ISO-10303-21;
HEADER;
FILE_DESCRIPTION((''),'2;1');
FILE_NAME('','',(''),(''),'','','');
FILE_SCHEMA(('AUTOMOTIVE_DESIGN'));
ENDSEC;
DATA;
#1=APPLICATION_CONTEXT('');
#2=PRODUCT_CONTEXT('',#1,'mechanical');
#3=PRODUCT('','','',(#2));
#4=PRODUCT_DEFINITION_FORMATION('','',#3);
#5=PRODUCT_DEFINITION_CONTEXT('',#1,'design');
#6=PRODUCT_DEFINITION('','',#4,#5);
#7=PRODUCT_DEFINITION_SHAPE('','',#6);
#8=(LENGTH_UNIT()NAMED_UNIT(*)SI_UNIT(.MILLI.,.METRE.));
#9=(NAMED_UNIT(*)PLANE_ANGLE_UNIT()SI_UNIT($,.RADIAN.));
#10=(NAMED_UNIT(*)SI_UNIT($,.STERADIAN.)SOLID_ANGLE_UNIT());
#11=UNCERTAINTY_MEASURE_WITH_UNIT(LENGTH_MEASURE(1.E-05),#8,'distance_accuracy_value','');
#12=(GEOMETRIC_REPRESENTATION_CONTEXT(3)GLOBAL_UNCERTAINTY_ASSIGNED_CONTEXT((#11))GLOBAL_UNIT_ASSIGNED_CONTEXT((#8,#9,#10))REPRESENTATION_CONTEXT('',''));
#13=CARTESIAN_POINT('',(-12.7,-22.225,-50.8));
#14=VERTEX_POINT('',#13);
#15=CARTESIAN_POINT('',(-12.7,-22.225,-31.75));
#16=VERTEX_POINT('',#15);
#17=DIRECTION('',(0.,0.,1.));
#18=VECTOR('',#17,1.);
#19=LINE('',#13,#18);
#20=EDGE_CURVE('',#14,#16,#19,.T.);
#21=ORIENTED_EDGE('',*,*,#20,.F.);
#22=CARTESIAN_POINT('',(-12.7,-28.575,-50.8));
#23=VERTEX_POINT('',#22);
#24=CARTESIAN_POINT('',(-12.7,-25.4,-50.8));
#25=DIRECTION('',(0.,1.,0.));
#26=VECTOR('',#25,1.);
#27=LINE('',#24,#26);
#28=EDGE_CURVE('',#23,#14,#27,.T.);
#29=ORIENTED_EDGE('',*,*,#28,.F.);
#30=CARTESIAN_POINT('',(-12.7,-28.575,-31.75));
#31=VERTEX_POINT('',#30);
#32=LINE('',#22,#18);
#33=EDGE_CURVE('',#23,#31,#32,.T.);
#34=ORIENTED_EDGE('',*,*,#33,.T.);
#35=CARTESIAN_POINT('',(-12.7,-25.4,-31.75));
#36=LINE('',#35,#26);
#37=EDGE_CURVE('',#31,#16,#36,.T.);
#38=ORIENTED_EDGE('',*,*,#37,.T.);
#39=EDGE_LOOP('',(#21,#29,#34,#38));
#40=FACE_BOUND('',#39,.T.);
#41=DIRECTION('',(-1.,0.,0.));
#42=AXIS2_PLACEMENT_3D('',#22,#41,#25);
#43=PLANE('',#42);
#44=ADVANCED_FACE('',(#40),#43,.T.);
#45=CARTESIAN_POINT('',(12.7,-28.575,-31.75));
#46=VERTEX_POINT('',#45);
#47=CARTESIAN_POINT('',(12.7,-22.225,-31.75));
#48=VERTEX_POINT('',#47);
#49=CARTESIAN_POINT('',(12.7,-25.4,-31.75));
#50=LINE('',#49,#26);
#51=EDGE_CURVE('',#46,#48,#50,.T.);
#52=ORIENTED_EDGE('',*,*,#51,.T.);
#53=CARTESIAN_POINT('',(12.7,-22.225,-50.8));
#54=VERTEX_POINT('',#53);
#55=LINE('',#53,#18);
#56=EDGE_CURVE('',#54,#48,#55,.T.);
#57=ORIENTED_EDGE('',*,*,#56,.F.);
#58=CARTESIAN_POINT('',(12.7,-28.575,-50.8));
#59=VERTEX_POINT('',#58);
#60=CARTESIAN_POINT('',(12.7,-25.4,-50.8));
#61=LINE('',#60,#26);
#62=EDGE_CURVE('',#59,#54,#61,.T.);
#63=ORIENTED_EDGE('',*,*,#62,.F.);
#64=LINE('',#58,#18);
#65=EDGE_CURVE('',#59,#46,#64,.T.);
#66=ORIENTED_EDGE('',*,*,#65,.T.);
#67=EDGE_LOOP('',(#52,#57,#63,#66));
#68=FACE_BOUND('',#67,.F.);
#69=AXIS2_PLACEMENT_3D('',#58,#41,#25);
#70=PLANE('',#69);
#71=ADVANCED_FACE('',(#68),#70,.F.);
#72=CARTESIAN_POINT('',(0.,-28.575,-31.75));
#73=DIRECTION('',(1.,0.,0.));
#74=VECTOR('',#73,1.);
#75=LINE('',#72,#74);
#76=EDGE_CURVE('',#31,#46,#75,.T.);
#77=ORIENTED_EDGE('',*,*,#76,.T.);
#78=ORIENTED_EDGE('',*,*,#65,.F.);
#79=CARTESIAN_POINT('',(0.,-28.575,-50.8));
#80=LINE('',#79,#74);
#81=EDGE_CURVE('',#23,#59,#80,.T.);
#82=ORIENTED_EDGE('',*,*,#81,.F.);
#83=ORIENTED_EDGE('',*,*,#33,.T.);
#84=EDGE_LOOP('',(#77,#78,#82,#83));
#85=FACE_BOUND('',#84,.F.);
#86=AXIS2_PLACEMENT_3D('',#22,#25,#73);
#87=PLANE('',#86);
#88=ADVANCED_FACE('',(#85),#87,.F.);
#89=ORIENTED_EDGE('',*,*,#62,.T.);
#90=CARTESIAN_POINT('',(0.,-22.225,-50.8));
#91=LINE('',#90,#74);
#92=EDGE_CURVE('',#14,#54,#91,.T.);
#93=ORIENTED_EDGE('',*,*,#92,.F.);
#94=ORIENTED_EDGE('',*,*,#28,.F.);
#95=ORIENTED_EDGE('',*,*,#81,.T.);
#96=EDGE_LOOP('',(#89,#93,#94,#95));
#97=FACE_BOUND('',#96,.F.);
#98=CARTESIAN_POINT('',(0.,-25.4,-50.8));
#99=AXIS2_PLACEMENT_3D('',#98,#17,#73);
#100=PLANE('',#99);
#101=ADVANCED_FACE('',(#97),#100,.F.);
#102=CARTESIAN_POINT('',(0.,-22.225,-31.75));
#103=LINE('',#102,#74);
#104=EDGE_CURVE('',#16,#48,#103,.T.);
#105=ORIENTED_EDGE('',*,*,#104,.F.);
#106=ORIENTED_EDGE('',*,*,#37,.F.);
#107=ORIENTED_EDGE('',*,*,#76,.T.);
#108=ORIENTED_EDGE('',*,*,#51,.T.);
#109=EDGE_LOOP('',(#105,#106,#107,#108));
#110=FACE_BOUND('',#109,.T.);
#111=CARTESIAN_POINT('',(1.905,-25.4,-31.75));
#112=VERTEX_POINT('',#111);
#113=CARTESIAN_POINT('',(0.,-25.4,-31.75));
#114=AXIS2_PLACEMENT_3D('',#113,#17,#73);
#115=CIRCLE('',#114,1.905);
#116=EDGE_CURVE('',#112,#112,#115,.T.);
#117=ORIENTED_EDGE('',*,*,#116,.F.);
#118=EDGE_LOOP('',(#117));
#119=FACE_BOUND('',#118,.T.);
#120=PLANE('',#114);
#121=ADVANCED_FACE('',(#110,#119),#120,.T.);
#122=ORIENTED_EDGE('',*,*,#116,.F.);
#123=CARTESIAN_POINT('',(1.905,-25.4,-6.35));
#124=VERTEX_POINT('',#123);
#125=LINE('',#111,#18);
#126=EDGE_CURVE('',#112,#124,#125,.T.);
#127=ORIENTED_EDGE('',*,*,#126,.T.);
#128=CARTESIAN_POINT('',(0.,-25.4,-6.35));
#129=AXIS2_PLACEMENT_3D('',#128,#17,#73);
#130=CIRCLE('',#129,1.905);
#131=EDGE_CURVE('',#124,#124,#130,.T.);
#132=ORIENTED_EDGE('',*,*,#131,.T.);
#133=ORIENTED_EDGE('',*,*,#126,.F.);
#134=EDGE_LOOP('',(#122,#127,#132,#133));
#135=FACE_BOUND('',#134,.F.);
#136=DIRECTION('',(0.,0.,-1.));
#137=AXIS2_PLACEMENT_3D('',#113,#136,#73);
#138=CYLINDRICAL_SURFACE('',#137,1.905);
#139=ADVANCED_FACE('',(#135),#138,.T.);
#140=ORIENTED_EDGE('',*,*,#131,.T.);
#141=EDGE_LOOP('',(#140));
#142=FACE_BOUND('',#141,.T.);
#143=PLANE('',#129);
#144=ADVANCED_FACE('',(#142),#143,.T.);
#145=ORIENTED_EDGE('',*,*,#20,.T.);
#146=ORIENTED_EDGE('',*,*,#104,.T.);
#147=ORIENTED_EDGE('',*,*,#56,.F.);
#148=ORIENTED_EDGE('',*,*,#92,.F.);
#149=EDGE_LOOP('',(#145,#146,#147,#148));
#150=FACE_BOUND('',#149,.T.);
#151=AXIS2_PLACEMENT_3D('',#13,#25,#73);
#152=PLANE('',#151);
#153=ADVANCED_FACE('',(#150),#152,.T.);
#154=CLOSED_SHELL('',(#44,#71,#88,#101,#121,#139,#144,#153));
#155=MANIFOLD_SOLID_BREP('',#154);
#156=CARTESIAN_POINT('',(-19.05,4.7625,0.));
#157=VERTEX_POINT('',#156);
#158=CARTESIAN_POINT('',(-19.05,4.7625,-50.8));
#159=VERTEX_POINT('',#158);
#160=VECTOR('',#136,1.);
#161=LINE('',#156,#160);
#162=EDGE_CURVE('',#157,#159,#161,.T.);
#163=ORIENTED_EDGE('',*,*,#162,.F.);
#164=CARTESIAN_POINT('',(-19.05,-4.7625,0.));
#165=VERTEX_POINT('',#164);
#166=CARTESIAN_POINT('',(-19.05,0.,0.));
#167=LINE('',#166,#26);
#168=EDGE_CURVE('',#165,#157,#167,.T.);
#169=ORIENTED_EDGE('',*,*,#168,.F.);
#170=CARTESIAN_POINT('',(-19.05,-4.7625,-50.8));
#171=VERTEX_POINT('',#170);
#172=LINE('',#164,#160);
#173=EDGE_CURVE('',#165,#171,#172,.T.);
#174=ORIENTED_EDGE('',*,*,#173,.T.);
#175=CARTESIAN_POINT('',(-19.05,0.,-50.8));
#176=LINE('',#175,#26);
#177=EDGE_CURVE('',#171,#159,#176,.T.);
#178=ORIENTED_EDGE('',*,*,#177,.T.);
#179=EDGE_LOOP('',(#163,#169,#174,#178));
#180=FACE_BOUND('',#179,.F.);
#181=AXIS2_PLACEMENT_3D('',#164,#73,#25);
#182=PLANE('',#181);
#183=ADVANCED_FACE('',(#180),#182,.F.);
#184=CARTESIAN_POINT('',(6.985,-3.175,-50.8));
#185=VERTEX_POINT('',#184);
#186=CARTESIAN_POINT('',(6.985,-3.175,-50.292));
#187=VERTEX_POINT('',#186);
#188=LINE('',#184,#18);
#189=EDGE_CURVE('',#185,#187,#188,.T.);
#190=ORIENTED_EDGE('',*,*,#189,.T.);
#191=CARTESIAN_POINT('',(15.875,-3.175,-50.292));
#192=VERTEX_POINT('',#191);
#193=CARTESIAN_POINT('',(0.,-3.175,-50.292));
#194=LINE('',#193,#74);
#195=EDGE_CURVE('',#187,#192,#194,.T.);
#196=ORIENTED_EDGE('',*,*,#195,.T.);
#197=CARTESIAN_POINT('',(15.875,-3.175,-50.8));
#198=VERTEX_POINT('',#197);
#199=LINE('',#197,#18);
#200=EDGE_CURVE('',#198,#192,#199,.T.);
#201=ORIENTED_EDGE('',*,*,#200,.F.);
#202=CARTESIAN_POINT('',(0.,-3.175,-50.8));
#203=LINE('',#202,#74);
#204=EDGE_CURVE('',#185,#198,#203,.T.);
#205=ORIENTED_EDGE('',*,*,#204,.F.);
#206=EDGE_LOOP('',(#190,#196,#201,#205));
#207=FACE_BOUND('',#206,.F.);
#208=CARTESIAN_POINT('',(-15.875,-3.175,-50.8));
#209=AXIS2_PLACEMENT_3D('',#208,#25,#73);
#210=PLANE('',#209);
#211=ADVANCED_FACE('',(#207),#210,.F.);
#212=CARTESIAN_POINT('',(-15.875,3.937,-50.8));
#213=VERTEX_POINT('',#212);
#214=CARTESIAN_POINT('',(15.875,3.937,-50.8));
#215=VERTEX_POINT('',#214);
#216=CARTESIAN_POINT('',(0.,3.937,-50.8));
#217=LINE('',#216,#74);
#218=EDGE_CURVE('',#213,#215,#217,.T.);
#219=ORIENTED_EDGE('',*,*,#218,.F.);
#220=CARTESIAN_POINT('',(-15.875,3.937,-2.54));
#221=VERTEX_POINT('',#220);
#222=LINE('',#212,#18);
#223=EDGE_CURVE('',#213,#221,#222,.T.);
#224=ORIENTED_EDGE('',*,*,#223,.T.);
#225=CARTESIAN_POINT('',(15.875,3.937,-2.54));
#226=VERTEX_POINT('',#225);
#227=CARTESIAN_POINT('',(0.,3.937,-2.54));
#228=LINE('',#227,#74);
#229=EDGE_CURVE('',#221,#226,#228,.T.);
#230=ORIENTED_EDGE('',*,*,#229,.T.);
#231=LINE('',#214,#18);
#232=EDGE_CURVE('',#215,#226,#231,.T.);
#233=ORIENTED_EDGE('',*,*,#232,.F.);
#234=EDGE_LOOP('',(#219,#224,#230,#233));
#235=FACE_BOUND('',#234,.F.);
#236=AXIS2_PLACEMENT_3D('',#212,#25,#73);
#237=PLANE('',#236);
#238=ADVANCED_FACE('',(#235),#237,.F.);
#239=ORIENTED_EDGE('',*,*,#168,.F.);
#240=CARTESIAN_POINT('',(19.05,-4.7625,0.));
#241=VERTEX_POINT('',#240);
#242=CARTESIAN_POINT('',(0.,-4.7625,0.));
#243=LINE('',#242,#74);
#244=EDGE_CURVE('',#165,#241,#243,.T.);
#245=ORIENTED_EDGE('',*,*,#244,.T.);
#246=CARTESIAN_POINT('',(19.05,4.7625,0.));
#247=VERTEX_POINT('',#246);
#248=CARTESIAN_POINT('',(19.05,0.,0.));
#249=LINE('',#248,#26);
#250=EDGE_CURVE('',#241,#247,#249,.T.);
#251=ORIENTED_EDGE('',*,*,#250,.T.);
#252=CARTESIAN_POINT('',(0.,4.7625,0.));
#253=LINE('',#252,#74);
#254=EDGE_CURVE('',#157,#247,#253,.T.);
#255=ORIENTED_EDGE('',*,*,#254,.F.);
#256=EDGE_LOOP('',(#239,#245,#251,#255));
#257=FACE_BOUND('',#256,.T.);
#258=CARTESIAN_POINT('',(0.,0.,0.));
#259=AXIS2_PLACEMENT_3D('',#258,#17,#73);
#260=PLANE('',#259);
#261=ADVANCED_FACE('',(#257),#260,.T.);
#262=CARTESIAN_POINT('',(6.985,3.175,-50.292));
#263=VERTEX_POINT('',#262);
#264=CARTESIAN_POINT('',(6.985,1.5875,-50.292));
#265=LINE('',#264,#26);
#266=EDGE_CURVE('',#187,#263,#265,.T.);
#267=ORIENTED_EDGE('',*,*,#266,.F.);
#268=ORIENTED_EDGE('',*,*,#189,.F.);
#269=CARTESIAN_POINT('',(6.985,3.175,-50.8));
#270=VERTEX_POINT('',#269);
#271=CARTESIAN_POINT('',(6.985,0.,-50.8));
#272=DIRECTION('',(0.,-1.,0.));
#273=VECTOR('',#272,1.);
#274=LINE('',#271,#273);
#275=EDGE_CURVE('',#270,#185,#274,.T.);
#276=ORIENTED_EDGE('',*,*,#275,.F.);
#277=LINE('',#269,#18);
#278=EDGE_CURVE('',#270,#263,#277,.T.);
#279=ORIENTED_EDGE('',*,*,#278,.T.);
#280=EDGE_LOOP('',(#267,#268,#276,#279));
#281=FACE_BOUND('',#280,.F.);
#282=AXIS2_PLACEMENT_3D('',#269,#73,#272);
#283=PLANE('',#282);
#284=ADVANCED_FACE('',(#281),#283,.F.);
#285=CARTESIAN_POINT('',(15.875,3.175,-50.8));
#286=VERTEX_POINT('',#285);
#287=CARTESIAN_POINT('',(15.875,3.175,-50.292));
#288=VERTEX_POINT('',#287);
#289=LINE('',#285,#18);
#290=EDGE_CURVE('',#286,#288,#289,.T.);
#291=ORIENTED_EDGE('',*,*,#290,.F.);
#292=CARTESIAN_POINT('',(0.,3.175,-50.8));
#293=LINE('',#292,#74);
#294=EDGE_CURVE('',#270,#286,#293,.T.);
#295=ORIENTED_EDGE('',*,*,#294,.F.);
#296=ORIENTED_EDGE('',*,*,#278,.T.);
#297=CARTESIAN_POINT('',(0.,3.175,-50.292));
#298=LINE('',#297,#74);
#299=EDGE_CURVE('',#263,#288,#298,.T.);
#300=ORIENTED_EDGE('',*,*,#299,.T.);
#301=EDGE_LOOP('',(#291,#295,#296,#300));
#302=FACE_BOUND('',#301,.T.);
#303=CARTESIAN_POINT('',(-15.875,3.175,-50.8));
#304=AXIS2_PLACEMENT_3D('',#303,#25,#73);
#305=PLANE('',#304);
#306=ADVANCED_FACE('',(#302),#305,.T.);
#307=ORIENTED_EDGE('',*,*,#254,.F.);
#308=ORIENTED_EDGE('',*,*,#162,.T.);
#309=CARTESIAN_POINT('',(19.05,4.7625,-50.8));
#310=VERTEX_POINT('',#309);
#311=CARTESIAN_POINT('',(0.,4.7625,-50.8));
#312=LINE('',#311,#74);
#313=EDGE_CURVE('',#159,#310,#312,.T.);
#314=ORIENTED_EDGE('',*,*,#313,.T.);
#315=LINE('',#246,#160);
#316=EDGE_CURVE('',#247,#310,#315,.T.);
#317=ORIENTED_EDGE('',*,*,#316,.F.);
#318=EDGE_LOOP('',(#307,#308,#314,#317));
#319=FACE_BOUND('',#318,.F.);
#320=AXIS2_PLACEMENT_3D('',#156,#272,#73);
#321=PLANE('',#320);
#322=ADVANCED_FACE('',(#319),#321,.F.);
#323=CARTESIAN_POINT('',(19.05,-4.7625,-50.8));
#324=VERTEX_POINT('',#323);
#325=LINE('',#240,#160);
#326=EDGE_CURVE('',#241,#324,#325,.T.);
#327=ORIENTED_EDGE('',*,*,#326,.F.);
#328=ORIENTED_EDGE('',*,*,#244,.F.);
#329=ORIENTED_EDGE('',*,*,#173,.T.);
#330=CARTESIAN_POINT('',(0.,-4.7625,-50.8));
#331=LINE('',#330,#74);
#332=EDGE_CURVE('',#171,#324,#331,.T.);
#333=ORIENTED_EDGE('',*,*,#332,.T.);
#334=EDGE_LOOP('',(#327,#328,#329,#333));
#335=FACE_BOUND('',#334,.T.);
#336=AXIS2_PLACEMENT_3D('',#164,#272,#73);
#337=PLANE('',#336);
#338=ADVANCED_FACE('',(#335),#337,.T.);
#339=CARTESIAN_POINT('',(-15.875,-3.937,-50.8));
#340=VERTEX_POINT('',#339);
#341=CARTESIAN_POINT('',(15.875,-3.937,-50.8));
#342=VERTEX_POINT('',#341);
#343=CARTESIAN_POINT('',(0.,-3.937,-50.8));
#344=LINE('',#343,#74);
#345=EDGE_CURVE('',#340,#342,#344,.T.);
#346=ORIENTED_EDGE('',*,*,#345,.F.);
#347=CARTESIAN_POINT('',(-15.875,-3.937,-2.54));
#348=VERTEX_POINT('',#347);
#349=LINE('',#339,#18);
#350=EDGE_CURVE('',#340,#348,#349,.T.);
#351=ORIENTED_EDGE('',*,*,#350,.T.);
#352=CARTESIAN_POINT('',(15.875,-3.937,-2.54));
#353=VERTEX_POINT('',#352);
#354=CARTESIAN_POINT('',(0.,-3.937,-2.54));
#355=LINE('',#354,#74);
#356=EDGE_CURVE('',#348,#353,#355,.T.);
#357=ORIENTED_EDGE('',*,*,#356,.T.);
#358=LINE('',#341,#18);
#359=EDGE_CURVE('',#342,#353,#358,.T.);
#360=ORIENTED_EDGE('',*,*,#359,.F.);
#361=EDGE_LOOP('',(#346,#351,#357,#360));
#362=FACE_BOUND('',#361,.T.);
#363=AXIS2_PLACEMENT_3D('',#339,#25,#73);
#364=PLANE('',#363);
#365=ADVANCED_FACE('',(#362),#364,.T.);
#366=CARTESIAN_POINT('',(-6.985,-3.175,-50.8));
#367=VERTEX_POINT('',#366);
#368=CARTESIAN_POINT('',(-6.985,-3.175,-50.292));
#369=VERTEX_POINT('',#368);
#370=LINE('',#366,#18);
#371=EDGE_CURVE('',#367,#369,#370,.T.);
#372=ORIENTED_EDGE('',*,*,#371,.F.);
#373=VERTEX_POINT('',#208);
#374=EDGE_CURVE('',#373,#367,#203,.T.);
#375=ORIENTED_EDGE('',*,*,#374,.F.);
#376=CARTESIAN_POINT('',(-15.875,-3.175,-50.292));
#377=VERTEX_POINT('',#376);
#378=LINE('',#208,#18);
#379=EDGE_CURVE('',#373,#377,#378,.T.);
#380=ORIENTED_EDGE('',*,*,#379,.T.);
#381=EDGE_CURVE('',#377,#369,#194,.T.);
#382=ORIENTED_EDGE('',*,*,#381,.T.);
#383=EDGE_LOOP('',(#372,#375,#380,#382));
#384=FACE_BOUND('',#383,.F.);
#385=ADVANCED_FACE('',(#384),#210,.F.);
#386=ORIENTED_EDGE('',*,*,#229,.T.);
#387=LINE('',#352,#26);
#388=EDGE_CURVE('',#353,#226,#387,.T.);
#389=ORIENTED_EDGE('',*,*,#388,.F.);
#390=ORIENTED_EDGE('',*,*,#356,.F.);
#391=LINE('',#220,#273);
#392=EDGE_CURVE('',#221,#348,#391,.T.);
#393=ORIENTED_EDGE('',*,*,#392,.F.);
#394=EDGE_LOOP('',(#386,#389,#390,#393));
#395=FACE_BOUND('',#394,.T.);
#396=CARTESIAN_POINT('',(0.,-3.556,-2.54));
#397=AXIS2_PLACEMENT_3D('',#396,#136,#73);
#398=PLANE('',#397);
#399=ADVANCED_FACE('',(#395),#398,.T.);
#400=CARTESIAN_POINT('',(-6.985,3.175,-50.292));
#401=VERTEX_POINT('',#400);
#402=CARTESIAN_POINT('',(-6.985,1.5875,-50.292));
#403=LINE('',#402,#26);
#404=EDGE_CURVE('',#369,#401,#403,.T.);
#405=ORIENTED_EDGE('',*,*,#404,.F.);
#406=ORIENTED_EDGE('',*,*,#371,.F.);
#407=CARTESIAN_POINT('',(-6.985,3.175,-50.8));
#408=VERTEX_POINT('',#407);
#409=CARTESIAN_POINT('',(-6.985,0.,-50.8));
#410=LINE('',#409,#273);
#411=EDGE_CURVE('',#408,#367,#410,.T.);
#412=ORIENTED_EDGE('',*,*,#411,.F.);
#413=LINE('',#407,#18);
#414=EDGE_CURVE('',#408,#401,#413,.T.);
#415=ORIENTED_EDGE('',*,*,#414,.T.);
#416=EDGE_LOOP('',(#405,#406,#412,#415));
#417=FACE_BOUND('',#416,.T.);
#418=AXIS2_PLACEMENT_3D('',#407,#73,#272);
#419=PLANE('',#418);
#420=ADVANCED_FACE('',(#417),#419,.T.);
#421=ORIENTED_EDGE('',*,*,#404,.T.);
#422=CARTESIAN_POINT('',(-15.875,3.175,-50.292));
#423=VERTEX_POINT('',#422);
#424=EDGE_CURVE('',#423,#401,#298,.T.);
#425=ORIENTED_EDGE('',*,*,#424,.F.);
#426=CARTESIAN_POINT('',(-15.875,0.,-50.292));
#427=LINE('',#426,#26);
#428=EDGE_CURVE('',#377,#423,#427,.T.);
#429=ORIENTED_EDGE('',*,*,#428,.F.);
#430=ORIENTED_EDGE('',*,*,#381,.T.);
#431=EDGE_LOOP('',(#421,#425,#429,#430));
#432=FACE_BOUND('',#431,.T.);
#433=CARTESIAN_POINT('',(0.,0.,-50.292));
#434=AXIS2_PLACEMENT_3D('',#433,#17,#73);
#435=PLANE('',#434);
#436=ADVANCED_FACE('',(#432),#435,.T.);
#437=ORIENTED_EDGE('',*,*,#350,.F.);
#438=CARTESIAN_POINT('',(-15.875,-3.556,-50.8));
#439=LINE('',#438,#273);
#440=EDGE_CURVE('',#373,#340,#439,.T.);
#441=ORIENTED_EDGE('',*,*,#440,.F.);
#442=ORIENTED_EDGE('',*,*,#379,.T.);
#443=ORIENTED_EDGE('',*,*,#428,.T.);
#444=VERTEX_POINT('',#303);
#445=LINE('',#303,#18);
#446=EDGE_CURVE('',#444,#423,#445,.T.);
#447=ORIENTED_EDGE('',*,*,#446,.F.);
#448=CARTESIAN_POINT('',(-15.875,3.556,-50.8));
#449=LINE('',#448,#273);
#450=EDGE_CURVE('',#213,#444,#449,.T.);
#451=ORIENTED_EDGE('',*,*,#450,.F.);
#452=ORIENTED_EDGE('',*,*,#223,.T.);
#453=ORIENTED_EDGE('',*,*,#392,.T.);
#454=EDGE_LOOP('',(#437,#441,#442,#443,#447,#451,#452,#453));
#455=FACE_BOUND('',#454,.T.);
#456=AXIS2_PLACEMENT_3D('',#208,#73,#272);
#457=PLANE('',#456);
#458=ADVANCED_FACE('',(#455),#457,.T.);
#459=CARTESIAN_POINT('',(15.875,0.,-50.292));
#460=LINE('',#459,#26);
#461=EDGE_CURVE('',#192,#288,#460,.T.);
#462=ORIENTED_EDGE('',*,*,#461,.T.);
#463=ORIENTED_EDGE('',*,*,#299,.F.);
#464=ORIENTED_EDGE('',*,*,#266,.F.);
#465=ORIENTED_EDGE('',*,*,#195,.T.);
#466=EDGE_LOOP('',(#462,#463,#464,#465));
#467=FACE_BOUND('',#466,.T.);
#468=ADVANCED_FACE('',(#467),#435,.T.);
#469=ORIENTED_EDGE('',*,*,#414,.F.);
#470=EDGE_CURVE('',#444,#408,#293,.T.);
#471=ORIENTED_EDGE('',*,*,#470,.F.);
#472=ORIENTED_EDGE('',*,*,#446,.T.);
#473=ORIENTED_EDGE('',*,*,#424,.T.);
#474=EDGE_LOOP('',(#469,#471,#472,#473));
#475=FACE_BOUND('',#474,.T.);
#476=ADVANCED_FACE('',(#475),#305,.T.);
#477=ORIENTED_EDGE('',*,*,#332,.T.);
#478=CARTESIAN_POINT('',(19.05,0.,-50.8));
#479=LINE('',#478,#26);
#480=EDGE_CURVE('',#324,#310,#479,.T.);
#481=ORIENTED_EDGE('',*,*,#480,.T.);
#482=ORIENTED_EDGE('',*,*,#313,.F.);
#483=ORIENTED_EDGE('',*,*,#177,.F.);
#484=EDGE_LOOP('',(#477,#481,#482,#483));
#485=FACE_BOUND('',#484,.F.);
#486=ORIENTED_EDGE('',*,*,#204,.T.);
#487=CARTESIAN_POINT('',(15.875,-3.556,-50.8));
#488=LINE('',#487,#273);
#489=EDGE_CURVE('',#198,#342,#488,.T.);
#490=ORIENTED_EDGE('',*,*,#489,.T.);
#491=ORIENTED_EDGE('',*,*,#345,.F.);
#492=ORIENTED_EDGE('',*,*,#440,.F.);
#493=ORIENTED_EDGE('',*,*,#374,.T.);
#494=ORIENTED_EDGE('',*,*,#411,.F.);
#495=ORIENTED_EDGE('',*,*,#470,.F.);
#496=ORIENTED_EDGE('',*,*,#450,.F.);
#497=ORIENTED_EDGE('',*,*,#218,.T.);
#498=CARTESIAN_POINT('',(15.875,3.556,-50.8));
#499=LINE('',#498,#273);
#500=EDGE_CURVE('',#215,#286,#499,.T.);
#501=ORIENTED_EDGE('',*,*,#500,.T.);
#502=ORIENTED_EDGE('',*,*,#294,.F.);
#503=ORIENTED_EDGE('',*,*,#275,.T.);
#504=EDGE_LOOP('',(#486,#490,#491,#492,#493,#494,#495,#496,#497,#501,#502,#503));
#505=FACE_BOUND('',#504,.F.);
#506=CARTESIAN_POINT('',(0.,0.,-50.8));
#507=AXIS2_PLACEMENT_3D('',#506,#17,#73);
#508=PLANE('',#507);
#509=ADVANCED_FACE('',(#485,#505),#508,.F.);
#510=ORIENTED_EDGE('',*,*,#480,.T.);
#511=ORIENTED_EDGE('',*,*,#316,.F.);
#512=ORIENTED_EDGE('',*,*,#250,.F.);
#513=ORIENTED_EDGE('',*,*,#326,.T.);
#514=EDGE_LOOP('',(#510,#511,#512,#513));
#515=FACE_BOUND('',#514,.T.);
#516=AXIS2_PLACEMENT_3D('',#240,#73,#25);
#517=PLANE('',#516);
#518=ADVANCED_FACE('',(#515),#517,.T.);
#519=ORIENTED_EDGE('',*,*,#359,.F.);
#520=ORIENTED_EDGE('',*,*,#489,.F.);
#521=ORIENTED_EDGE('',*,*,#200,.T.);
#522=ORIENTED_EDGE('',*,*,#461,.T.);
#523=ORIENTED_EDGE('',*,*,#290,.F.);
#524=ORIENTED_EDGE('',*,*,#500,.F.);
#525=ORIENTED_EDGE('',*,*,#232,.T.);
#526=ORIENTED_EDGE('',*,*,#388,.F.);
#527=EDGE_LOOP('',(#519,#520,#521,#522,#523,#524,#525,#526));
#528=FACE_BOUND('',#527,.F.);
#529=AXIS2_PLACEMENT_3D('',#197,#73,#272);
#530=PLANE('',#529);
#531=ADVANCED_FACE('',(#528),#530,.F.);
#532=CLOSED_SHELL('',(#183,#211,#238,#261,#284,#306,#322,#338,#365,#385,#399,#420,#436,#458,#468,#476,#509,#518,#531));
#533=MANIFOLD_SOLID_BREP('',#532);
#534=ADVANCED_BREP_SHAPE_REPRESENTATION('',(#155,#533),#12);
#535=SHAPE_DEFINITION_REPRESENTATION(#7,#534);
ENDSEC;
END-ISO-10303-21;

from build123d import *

# Parameters (mm, degrees)
F0_W      = 38.1
F0_H      = 9.525
F3_DEPTH  = 50.8
F2_W      = 31.75
F2_H      = 6.35
F4_DEPTH  = 47.752
F5_W      = 13.97
F5_H      = 6.35
F6_DEPTH  = 25.4
F7_W      = 31.75
F7_H      = 0.762
F8_DEPTH  = 48.26
F10_W     = 25.4
F10_H     = 6.35
F11_DEPTH = 19.05
F12_R     = 1.905
F13_DEPTH = 25.4


with BuildPart() as f3:
    # F0 (on Top) → F3 (new body)
    with BuildSketch(Plane.XY):
        Rectangle(F0_W, F0_H)
    extrude(amount=-F3_DEPTH)

    # F2 (on offset) → F4 (cut)
    with BuildSketch(Plane.XY.offset(-2.54)):
        Rectangle(F2_W, F2_H)
    extrude(amount=-F4_DEPTH, mode=Mode.SUBTRACT)

    # F5 (on face) → F6 (cut)
    with BuildSketch(Plane(origin=(0, 0, -50.8), x_dir=(1, 0, 0), z_dir=(0, 0, -1))):
        Rectangle(F5_W, F5_H)
    extrude(amount=-F6_DEPTH, mode=Mode.SUBTRACT)

    # F7 (on face) → F8 (cut)
    with BuildSketch(Plane(origin=(0, 0, -50.8), x_dir=(1, 0, 0), z_dir=(0, 0, -1))):
        with Locations((0, 3.556)):
            Rectangle(F7_W, F7_H)
        with Locations((0, -3.556)):
            Rectangle(F7_W, F7_H)
    extrude(amount=-F8_DEPTH, mode=Mode.SUBTRACT)


with BuildPart() as f11:
    # F10 (on offset) → F11 (new body)
    with BuildSketch(Plane.XY.offset(-50.8)):
        with Locations((0, -25.4)):
            Rectangle(F10_W, F10_H)
    extrude(amount=F11_DEPTH)

    # F12 (on face) → F13 (join)
    with BuildSketch(Plane.XY.offset(-31.75)):
        with Locations((0, -25.4)):
            Circle(F12_R)
    extrude(amount=F13_DEPTH)


solid = Compound([f3.part, f11.part])
